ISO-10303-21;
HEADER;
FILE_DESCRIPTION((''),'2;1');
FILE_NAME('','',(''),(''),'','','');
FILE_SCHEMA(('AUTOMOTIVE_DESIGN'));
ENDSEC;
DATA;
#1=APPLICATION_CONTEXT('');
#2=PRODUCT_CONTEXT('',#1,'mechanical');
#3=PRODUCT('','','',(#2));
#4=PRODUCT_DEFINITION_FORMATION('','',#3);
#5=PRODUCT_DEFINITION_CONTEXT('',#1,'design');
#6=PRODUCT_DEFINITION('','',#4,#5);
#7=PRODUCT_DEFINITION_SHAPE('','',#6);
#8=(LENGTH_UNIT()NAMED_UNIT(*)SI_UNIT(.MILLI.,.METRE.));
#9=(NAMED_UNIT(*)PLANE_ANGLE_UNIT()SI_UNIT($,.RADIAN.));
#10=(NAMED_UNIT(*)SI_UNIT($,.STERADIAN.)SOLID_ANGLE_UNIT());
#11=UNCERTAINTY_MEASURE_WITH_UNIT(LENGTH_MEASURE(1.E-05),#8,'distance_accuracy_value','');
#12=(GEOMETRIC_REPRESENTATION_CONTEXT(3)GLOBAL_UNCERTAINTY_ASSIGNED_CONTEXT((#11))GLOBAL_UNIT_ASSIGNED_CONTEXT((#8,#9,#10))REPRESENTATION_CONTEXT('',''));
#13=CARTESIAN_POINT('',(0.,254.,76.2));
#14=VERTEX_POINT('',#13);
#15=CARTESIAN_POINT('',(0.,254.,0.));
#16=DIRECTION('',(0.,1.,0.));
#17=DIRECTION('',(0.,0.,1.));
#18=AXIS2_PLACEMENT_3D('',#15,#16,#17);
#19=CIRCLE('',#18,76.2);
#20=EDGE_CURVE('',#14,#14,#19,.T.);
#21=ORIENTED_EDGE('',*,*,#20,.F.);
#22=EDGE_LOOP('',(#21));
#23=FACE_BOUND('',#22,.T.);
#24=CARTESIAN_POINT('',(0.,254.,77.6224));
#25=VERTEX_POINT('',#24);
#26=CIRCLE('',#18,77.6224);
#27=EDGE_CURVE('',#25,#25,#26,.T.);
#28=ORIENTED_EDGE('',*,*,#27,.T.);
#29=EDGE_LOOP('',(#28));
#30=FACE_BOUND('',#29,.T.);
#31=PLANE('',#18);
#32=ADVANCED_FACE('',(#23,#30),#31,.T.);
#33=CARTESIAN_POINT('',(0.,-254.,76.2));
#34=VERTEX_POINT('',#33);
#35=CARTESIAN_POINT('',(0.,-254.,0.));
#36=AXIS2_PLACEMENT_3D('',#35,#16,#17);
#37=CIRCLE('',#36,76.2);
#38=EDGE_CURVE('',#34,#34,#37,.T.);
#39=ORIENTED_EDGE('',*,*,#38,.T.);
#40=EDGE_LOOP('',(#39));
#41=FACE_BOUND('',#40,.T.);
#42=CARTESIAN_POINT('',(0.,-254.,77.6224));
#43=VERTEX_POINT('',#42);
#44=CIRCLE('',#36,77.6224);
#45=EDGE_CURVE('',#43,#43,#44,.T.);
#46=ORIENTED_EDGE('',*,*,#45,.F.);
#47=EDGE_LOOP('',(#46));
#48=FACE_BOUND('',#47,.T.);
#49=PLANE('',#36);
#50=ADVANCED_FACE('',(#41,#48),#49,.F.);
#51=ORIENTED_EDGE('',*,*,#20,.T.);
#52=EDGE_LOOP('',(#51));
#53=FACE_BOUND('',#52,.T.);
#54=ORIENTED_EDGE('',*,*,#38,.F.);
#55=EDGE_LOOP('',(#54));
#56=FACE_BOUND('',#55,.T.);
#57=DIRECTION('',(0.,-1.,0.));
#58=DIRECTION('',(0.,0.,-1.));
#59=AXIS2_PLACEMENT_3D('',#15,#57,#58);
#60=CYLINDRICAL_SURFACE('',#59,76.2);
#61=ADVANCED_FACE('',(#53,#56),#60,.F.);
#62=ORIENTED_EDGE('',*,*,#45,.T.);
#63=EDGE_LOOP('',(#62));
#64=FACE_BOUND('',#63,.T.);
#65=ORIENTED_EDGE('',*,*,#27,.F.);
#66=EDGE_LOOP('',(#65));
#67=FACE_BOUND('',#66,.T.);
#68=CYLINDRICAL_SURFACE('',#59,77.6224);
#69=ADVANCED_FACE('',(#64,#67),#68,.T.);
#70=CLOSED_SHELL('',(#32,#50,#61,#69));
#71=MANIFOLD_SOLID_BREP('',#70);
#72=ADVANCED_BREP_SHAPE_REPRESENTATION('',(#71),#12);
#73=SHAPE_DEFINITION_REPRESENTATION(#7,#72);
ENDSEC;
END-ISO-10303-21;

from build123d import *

# Parameters (mm, degrees)
SKETCH1_R           = 77.6224
SKETCH1_R_2         = 76.2
BOSS_EXTRUDE1_DEPTH = 254


with BuildPart() as part:
    # Sketch1 → Boss-Extrude1 (new, symmetric)
    with BuildSketch(Plane(origin=(0, 0, 0), x_dir=(1, 0, 0), z_dir=(0, 1, 0))):
        with Locations(Location((0, 0, 0), (0, 0, 270))):
            Circle(SKETCH1_R)
        with Locations(Location((0, 0, 0), (0, 0, 270))):
            Circle(SKETCH1_R_2, mode=Mode.SUBTRACT)
    extrude(amount=BOSS_EXTRUDE1_DEPTH, both=True)


solid = part.part
